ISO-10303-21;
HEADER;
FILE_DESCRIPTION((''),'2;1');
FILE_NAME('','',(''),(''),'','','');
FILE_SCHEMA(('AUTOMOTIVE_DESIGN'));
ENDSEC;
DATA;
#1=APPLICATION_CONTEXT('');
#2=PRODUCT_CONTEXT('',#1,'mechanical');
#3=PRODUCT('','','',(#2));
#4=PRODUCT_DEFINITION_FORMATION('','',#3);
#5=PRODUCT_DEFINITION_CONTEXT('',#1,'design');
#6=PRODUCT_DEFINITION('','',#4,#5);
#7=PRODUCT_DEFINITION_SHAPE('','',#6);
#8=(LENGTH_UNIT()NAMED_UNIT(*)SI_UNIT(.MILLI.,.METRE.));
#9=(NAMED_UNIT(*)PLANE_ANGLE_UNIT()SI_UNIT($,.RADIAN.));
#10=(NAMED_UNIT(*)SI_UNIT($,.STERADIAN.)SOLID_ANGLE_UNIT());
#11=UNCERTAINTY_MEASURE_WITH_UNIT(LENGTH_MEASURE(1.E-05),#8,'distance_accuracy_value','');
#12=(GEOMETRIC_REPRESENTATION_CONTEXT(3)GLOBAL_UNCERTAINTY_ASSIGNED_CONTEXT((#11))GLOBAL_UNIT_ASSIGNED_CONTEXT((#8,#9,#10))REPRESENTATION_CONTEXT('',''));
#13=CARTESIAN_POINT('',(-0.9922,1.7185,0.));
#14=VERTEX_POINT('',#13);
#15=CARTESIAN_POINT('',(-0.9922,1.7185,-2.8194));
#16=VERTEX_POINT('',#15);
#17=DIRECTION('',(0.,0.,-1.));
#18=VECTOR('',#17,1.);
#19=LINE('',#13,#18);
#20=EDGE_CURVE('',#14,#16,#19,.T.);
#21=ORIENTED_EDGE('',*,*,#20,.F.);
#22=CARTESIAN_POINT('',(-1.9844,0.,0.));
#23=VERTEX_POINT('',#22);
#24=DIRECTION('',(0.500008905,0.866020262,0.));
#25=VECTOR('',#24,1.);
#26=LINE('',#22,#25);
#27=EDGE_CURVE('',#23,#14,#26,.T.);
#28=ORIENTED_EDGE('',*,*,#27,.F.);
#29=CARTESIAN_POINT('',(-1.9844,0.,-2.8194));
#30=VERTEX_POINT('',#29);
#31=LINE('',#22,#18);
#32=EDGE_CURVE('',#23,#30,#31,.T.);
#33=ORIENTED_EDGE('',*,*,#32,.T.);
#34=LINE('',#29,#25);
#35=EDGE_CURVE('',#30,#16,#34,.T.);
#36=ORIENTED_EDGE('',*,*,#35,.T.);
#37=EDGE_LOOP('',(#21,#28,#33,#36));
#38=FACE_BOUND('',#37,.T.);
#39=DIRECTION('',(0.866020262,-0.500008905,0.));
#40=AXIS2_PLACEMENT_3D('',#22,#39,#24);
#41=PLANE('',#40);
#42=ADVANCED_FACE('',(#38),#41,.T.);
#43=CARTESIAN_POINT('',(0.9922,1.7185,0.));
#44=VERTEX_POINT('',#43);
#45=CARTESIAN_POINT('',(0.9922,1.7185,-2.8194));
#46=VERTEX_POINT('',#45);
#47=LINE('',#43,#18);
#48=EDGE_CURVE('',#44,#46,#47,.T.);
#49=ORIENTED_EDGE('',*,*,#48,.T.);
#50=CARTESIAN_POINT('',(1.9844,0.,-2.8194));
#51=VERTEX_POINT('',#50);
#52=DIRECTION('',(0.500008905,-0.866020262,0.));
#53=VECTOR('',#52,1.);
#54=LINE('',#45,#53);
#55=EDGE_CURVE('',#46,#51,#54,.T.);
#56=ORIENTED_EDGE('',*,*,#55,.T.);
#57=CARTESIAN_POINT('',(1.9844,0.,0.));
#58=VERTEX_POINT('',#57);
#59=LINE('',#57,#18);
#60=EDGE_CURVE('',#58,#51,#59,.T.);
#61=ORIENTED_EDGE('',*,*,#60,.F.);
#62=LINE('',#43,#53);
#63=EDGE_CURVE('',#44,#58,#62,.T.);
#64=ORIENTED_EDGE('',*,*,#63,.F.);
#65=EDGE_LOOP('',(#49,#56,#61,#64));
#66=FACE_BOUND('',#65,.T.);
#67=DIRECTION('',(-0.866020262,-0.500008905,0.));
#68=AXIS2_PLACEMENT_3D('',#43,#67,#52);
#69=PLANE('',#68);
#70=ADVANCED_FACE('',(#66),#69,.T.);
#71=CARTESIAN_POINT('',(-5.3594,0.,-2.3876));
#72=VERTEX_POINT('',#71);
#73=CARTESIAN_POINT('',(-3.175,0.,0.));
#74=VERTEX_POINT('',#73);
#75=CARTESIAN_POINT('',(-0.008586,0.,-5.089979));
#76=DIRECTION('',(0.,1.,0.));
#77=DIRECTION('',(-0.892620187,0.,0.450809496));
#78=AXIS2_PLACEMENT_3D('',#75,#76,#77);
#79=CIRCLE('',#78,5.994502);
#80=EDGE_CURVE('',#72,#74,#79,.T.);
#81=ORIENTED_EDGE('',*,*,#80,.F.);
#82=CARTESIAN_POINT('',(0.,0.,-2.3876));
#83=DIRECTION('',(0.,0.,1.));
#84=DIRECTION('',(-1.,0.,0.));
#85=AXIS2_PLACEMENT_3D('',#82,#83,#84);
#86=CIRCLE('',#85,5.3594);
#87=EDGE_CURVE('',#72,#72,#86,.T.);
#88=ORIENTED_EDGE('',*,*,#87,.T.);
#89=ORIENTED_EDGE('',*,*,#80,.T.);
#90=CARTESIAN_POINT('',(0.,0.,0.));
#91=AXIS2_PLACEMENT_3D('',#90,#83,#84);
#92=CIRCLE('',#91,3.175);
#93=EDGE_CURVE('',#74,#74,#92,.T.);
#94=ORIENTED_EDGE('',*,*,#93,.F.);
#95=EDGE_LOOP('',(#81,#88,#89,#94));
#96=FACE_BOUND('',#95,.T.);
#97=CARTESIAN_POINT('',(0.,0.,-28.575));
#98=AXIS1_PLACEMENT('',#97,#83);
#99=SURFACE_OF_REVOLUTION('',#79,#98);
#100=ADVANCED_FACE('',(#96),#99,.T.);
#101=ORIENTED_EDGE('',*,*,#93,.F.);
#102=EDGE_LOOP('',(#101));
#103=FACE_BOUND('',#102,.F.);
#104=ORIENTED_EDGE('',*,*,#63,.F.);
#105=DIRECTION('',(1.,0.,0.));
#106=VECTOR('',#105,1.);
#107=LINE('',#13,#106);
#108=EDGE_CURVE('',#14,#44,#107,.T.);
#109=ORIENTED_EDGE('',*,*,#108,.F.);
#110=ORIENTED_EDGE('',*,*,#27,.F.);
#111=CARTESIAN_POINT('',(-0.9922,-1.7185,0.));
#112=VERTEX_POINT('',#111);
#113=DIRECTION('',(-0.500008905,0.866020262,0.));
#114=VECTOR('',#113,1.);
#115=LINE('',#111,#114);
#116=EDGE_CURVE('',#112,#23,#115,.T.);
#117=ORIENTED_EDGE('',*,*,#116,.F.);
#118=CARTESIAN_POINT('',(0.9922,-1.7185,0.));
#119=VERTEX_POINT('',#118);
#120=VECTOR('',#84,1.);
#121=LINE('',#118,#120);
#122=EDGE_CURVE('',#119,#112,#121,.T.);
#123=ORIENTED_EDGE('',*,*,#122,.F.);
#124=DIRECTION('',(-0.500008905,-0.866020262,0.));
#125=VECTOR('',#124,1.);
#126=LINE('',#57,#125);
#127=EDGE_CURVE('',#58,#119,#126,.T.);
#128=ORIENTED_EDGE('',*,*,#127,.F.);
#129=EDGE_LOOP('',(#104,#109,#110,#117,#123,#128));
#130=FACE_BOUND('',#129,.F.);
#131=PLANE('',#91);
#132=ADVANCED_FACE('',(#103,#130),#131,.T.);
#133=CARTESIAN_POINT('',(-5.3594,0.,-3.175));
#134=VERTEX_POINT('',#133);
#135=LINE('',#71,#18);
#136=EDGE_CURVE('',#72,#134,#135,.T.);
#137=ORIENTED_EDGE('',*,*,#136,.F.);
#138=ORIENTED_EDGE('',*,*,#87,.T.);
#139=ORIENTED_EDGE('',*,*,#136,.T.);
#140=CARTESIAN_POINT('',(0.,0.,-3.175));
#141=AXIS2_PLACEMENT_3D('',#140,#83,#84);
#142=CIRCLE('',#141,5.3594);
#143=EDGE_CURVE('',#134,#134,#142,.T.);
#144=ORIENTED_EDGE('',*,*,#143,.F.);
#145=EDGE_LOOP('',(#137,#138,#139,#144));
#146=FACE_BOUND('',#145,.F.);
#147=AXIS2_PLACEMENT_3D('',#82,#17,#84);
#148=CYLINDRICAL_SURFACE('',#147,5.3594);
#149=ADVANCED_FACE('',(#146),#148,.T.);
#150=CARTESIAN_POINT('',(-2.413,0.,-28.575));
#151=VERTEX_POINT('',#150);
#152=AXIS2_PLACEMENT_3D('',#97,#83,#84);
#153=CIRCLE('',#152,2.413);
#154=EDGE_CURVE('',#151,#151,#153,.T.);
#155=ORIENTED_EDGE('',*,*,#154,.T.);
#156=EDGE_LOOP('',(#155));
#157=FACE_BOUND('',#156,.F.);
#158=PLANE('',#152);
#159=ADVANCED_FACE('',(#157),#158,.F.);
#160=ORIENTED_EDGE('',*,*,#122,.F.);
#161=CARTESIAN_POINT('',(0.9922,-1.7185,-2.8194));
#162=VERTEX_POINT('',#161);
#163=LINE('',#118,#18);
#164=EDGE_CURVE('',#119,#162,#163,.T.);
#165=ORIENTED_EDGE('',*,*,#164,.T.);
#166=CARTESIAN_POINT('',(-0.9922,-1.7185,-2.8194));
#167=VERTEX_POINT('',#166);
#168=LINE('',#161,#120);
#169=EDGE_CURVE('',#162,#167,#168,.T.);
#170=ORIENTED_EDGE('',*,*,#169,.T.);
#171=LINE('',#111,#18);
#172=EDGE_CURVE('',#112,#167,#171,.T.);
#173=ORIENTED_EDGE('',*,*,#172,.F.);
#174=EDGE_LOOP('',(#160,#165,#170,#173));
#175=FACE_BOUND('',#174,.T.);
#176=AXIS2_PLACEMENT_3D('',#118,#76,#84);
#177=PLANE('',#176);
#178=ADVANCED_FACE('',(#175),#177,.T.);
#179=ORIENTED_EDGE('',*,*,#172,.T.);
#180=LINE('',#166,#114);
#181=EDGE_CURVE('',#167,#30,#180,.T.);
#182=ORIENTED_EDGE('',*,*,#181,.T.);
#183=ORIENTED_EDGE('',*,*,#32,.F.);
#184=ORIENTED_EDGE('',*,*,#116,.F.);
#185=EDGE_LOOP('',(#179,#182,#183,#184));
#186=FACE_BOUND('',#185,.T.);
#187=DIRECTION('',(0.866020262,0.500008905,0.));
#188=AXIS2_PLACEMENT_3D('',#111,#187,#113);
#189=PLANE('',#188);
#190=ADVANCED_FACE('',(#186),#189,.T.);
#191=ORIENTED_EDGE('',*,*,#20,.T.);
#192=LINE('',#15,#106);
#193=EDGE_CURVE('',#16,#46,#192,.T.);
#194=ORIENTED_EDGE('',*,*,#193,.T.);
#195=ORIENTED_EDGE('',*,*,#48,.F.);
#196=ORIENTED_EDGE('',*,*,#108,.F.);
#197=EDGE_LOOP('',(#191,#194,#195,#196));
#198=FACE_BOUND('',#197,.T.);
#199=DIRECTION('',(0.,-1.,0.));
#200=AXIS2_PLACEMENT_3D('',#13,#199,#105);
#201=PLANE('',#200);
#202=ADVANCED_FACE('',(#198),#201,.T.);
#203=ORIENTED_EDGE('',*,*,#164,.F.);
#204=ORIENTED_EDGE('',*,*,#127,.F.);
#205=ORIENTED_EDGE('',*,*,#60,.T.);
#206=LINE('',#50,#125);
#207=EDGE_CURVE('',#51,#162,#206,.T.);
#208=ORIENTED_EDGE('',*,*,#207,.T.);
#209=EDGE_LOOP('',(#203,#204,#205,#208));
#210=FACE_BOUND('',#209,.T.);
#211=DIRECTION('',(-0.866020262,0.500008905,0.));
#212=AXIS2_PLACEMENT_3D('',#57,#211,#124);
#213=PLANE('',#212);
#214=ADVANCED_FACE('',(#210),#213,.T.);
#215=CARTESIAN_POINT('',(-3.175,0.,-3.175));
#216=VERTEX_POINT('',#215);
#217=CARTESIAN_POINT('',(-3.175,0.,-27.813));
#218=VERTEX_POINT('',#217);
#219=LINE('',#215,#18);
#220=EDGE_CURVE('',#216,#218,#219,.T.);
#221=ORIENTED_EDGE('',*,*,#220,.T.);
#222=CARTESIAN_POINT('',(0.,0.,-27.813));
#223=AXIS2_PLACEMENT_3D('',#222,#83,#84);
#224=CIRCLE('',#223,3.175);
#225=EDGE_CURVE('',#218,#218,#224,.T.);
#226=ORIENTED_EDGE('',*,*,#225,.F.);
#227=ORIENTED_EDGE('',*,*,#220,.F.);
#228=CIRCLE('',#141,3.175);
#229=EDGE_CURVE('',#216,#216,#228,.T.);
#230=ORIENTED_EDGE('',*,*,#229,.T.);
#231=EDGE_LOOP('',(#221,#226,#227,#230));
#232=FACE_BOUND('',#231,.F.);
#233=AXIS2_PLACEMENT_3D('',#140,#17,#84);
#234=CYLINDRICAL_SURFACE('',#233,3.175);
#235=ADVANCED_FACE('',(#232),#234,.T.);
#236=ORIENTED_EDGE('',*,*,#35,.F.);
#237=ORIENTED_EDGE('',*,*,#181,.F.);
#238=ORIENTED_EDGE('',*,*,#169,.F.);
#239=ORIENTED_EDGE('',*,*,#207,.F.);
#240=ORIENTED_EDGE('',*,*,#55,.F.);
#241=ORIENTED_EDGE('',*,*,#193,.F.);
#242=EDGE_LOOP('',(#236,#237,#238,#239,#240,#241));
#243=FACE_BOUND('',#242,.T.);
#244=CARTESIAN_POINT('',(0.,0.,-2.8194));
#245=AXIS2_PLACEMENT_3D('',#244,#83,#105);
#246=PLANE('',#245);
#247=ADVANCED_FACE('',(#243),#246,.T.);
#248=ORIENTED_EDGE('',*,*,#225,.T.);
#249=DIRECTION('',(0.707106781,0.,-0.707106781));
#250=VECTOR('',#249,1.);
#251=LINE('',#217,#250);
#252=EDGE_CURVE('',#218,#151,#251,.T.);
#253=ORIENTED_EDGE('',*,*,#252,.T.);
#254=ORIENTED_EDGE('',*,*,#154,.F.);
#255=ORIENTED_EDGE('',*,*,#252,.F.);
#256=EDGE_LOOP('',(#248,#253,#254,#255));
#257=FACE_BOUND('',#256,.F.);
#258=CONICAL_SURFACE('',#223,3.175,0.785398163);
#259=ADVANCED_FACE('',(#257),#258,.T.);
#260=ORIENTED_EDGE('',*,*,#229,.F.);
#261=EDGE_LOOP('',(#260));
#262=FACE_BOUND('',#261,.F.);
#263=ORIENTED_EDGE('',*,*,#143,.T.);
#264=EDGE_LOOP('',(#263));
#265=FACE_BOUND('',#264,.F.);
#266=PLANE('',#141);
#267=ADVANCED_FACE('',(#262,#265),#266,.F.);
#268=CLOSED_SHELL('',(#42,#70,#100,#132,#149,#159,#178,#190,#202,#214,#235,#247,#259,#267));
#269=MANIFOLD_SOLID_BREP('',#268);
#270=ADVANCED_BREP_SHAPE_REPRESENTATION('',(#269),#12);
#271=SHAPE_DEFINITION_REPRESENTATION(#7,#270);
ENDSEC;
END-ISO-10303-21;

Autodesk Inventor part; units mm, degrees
ref_plane "YZ Plane" through (0, 0, 0) normal (1, 0, 0) x (0, 1, 0)
ref_plane "XZ Plane" through (0, 0, 0) normal (0, 1, 0) x (-1, 0, 0)
ref_plane "XY Plane" through (0, 0, 0) normal (0, 0, 1) x (1, 0, 0)
sketch "Sketch1" plane through (0, 0, 0) normal (0, 1, 0) x (-1, 0, 0)
  line L0 (0, 0) -> (3.175, 0)
  line L1 (5.3594, -2.3876) -> (5.3594, -3.175)
  line L2 (5.3594, -3.175) -> (3.175, -3.175)
  line L3 (3.175, -3.175) -> (3.175, -28.575)
  line L4 (3.175, -28.575) -> (0, -28.575)
  line L5 (0, -28.575) -> (0, 0)
  arc A0 (5.3594, -2.3876) -> (3.175, 0) centre (0.0087, -5.0899) ccw
  dimension "d0" = 3.175
  dimension "d1" = 5.3594
  dimension "d2" = 0.7874
  dimension "d3" = 3.175
  dimension "d8" = 3.175
  dimension "d9" = 5.9944
  dimension "d20" = 25.4
revolve "Revolution1" add sketch "Sketch1" angle 360 about axis through (0, 0, -28.575) along (0, 0, 1)
chamfer "Chamfer1" distance 0.762 angle 45 1 edges at (3.175, 0, -28.575)
sketch "Sketch2" plane through (0, 0, 0) normal (0, 0, 1) x (1, 0, 0)
  line L0 (1.9844, 0) -> (0.9922, -1.7185)
  line L1 (0.9922, -1.7185) -> (-0.9922, -1.7185)
  line L2 (-0.9922, -1.7185) -> (-1.9844, 0)
  line L3 (-1.9844, 0) -> (-0.9922, 1.7185)
  line L4 (-0.9922, 1.7185) -> (0.9922, 1.7185)
  line L5 (0.9922, 1.7185) -> (1.9844, 0)
  point P0 (0, 0)
  point P1 (0, 0)
  dimension "d14" = 3.9688
extrude "Extrusion1" cut sketch "Sketch2" against normal blind 2.8194
thread "Thread1" size "1/4-20 UNC" class "2A" standard "ANSI Unified Screw Threads" length 19.05
properties part number "Axle Peg"
